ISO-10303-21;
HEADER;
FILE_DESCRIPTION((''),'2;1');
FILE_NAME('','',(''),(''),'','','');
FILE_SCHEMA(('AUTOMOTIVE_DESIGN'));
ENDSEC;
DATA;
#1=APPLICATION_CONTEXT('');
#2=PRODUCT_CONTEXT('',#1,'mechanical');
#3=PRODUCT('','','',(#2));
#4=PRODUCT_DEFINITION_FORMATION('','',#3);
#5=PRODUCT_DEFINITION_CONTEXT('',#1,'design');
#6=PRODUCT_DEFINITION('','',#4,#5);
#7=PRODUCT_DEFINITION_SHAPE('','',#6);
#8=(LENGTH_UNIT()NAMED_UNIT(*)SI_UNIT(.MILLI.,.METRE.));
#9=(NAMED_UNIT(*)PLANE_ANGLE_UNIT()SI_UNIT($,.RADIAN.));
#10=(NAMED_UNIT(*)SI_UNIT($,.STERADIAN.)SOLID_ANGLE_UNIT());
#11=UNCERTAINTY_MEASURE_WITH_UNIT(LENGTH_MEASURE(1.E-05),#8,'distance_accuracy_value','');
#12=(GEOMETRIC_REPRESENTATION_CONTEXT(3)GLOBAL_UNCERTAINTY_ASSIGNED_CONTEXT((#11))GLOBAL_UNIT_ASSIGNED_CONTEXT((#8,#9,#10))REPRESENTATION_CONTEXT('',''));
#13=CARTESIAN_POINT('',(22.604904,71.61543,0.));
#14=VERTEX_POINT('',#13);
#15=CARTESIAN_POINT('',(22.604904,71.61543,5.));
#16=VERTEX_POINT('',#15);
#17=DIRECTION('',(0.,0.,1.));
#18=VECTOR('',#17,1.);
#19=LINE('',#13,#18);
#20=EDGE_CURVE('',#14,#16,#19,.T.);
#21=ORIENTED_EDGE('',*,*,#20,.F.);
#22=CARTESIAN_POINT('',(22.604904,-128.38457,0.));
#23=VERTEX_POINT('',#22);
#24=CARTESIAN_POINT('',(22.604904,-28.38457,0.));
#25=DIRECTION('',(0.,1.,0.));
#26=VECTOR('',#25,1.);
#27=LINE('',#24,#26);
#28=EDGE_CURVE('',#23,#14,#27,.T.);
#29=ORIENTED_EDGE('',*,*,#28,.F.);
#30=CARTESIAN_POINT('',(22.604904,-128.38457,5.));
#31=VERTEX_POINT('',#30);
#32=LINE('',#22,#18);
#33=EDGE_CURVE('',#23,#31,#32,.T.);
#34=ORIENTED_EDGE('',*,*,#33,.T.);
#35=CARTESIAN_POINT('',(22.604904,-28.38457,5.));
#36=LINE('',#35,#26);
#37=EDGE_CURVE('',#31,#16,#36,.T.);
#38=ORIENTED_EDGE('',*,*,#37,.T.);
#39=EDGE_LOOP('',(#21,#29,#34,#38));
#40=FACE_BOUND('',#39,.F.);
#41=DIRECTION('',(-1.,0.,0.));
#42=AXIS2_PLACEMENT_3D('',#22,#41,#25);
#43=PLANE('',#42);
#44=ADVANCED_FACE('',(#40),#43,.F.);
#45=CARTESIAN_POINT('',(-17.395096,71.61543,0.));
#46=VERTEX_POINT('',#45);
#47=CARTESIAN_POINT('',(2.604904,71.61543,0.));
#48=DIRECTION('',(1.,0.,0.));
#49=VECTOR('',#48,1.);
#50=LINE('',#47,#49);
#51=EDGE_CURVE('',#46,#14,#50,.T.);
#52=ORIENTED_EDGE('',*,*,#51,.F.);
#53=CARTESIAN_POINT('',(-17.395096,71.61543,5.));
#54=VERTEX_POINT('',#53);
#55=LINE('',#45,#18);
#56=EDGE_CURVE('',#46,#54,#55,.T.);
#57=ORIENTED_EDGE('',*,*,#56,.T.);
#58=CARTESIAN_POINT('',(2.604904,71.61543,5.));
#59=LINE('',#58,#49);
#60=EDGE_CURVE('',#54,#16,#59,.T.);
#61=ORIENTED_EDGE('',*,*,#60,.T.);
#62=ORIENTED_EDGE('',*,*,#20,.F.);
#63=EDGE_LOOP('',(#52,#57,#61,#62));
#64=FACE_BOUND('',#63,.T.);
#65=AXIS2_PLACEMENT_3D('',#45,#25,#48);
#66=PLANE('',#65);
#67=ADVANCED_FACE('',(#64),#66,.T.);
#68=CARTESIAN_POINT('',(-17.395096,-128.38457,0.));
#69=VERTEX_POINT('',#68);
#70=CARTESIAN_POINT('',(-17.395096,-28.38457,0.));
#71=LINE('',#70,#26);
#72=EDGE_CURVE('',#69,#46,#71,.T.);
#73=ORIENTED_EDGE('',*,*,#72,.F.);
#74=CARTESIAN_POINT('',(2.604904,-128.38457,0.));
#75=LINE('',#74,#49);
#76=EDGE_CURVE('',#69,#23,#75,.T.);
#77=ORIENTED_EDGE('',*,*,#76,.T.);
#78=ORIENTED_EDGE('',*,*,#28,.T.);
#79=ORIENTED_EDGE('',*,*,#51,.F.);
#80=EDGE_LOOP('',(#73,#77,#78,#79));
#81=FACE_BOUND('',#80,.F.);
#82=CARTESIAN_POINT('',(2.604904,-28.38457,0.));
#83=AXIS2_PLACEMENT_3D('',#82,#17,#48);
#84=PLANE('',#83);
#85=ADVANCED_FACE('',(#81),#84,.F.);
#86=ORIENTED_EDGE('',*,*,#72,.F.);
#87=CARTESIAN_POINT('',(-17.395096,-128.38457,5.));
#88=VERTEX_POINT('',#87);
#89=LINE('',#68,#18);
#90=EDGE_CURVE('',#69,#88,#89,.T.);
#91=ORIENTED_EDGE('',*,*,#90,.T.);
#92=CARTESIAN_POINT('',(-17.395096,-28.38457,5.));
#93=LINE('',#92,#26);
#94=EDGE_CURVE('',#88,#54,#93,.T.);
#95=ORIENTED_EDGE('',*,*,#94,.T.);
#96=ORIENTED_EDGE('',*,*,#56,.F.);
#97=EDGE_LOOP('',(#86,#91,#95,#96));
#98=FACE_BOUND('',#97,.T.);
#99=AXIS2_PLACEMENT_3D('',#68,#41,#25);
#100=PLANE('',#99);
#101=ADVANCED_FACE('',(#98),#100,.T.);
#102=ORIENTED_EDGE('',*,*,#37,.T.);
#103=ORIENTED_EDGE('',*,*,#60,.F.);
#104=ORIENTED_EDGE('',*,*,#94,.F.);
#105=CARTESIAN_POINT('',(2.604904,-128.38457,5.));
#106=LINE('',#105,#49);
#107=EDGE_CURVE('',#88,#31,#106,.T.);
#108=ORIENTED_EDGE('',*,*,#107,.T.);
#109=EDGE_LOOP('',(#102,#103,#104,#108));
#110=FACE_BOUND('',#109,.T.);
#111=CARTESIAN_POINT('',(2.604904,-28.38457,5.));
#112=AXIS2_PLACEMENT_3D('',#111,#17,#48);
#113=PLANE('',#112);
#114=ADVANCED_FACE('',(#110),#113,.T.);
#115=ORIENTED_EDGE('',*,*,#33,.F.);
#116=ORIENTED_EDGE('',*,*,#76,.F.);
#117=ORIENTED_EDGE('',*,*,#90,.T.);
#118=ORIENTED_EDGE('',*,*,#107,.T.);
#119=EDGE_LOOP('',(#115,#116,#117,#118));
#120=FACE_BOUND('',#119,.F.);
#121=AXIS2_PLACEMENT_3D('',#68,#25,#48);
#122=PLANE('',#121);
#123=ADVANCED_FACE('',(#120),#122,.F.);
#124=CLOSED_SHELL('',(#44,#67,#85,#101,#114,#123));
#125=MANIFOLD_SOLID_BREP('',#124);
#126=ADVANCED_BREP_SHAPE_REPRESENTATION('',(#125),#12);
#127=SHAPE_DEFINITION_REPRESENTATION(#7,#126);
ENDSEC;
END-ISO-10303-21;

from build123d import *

# Parameters (mm, degrees)
SKETCH_W      = 40
SKETCH_H      = 200
EXTRUDE_DEPTH = 5


with BuildPart() as part:
    # Sketch → Extrude (new body)
    with BuildSketch(Plane.XY):
        with Locations((2.604904, -28.38457)):
            Rectangle(SKETCH_W, SKETCH_H)
    extrude(amount=EXTRUDE_DEPTH)


solid = part.part
